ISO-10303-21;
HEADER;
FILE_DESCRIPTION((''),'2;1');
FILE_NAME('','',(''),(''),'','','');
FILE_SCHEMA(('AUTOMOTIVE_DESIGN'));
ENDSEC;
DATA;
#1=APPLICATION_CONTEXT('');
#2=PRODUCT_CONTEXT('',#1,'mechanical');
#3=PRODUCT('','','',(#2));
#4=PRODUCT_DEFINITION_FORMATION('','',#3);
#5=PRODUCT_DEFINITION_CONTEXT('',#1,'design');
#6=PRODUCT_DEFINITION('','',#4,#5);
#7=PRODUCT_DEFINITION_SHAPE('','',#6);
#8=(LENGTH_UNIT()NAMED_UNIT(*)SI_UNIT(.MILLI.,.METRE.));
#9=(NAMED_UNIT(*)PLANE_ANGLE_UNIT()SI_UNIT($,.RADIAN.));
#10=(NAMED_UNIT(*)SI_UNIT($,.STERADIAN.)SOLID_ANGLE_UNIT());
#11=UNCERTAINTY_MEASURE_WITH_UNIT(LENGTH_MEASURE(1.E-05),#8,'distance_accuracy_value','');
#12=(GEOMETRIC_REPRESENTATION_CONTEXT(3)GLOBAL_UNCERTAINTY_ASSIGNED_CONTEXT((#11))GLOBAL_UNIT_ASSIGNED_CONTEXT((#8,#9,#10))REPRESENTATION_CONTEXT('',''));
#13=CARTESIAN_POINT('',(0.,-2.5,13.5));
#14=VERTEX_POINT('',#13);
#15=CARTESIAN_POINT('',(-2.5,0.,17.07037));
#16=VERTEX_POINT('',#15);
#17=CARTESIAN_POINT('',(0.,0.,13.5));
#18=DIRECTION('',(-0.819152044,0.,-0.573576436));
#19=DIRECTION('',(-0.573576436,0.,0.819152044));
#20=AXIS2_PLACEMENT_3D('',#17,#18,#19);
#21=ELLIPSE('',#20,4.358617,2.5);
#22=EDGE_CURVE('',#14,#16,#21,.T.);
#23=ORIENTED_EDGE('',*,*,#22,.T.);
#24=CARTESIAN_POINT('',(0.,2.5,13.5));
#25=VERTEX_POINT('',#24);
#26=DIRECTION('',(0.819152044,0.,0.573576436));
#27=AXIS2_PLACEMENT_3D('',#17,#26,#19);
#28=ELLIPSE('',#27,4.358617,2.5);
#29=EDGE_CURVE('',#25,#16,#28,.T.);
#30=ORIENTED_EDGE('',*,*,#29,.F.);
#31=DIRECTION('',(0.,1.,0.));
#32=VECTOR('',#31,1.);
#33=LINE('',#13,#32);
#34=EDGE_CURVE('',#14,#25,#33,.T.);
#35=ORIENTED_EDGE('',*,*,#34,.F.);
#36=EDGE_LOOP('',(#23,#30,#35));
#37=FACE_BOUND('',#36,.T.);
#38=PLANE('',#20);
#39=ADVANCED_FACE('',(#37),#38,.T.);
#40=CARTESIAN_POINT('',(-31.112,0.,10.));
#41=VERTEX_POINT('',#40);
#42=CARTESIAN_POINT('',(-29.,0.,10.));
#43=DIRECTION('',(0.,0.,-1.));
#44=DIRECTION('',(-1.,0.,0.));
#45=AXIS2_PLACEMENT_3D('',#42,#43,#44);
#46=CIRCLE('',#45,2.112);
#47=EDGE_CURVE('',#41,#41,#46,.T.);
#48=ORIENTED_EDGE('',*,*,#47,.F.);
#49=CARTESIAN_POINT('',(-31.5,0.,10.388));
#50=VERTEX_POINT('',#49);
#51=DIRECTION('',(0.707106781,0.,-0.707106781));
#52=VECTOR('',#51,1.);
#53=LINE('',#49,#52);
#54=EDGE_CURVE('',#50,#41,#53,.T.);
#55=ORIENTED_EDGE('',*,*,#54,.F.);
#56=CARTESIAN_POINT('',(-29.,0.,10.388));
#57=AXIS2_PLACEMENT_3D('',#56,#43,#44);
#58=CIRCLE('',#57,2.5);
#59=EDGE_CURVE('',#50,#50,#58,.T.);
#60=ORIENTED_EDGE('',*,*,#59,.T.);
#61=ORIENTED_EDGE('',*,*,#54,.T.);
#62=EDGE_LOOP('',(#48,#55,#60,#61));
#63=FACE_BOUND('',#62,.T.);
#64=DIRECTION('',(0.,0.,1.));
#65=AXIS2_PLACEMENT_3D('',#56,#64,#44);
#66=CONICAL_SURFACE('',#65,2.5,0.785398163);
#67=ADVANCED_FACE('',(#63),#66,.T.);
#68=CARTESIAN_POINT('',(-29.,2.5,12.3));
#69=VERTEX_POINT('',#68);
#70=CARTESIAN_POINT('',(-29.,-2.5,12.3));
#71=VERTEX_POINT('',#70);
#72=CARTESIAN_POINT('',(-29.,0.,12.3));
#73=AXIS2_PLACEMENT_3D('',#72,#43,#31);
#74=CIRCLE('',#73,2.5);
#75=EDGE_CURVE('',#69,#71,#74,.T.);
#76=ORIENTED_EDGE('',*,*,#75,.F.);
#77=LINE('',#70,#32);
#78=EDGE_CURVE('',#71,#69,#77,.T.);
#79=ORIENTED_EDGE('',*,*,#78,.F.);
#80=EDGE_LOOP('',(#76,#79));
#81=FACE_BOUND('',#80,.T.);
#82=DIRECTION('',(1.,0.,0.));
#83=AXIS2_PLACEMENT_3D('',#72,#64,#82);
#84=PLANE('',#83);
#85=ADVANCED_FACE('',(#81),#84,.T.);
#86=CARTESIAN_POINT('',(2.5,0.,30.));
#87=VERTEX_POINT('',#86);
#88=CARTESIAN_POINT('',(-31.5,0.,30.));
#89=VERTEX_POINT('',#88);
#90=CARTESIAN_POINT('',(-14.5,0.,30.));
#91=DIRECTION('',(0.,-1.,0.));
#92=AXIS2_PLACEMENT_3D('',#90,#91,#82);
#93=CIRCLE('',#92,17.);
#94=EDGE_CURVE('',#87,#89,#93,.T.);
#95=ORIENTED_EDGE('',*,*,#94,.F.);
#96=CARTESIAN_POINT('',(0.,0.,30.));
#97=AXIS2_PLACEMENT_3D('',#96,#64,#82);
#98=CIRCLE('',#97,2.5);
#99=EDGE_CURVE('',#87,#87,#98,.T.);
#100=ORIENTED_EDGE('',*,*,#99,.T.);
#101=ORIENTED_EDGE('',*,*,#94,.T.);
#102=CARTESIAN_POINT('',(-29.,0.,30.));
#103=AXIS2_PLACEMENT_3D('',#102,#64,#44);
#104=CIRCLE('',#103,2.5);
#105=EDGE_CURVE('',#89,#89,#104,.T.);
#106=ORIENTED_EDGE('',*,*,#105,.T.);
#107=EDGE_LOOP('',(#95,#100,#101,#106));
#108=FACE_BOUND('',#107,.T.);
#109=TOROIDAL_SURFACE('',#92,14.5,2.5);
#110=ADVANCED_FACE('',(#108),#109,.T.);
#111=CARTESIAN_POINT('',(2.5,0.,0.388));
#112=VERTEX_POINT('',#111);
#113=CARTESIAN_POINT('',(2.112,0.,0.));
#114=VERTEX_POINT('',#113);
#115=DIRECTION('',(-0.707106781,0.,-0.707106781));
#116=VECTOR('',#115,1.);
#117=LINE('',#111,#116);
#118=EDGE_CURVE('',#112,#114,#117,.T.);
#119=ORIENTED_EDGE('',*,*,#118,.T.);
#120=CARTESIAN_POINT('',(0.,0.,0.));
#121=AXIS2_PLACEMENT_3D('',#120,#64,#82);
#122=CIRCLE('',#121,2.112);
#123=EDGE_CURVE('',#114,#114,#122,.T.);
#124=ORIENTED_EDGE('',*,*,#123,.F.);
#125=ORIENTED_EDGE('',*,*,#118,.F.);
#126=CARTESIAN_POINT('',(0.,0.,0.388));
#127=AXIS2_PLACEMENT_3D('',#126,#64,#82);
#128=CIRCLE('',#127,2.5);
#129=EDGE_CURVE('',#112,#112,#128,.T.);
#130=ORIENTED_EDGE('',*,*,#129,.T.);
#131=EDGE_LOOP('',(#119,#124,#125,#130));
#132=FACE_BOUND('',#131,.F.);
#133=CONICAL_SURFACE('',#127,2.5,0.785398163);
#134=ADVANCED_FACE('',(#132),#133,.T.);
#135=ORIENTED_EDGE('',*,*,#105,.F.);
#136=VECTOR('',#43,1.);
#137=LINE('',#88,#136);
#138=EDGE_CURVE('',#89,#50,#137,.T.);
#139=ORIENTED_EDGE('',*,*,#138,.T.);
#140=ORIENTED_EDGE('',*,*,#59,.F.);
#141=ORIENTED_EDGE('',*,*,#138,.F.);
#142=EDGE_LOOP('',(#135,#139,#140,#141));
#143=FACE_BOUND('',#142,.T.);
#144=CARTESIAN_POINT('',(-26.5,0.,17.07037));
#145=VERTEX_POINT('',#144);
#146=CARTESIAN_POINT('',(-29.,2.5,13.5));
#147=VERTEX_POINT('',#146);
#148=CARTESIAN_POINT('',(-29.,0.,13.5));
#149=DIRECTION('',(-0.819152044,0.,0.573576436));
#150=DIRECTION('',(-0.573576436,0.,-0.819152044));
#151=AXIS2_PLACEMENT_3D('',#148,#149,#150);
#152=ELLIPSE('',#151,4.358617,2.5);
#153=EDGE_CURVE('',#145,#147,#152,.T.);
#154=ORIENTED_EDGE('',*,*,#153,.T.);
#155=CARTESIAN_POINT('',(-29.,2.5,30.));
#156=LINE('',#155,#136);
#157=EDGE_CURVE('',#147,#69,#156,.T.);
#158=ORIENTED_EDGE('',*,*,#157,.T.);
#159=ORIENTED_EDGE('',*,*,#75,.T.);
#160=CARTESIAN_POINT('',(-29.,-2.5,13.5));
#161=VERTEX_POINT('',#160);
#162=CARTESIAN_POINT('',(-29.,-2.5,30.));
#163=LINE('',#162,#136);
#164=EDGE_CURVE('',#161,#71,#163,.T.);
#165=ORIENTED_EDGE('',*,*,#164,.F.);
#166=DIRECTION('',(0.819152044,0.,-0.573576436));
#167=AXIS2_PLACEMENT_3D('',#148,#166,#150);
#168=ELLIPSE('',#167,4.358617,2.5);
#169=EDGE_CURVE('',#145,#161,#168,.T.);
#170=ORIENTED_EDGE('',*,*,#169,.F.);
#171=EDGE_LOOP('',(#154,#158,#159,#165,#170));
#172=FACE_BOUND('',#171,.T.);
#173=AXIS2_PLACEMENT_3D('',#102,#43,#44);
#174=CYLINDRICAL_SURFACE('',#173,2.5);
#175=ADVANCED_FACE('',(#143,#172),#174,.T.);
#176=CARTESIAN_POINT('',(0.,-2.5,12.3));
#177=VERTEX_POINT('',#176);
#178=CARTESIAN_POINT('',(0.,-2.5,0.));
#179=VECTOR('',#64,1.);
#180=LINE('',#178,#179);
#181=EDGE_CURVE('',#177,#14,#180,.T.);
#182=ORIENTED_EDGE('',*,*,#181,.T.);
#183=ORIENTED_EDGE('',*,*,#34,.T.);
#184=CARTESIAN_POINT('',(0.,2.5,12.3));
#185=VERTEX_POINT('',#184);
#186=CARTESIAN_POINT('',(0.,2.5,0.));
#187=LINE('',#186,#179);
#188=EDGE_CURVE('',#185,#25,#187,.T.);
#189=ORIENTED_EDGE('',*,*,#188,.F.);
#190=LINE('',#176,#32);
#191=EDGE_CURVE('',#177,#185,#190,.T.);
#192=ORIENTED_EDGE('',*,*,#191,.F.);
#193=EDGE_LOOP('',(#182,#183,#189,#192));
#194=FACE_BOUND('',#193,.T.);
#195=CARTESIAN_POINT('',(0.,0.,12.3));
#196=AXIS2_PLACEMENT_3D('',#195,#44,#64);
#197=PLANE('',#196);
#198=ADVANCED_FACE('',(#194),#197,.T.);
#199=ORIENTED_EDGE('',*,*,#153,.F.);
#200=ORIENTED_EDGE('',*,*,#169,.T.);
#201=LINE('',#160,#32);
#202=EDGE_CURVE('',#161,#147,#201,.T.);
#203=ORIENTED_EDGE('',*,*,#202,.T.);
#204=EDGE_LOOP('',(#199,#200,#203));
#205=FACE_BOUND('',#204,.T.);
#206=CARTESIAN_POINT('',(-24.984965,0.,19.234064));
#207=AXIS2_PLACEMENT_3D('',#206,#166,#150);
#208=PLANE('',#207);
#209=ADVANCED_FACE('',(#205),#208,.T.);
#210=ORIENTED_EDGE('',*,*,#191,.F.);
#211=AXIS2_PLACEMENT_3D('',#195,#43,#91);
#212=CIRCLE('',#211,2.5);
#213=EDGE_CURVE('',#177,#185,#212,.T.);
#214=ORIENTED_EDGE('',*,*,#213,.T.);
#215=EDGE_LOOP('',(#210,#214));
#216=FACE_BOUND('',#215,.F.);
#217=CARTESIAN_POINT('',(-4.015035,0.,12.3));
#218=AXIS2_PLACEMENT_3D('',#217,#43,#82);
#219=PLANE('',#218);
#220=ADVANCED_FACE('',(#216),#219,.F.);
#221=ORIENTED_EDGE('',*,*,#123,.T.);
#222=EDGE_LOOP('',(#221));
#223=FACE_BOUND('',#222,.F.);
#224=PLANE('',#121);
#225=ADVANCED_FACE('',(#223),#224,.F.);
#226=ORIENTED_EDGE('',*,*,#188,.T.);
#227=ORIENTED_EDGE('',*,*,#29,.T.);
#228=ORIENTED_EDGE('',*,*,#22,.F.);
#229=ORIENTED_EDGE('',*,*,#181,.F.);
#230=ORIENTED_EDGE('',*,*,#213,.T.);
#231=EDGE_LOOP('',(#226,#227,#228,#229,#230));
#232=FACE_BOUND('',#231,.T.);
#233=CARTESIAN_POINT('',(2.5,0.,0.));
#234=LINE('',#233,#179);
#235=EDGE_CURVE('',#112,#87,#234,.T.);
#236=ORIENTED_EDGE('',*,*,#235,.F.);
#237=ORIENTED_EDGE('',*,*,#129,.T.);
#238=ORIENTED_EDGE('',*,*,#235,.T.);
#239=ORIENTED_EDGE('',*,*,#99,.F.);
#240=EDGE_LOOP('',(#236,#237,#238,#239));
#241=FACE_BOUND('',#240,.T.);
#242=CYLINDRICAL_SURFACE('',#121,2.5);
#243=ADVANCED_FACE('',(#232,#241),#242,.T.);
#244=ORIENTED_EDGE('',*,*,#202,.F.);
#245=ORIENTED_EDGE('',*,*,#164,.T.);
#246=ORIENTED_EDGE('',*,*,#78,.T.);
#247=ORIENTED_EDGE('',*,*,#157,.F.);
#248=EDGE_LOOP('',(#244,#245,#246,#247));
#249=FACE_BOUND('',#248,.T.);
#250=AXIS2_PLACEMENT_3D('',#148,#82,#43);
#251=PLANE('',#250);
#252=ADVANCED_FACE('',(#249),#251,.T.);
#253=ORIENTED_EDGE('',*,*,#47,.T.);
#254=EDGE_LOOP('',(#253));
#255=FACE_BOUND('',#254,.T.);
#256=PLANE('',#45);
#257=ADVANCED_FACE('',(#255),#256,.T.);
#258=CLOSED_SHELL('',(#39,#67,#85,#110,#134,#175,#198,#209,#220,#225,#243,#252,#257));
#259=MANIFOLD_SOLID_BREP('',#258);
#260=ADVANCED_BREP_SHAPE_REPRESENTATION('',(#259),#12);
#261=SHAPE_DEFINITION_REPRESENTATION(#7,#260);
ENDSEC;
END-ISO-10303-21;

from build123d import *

# Parameters (mm, degrees)
F0_R          = 2.5
F4_DEPTH      = 2.5010001
F4_DEPTH_BACK = 2.5010001
F5_SIZE       = 0.388


with BuildPart() as f2:
    # F2: sweep along a path in F1
    with BuildLine(Plane.XZ) as f2_path:
        Line((0, 0), (0, 30))
        ThreePointArc((0, 30), (-14.5, 44.5), (-29, 30))
        Line((-29, 30), (-29, 10))
    # F0 (on Top) → F2 (sweep)
    with BuildSketch(Plane.XY):
        Circle(F0_R)
    sweep(path=f2_path.line)

    # F3 (on Front) → F4 (cut, two sides)
    with BuildSketch(Plane.XZ) as f4_sk:
        Polygon((-29, 13.5), (-29, 12.3), (-24.9849649455, 12.3), (-24.9849649455, 19.23406431), align=None)
        Polygon((-4.0150350545, 19.23406431), (-4.0150350545, 12.3), (0, 12.3), (0, 13.5), align=None)
    extrude(amount=-F4_DEPTH, mode=Mode.SUBTRACT)
    extrude(f4_sk.sketch, amount=F4_DEPTH_BACK, mode=Mode.SUBTRACT)

    # F5
    f5_edges = [f2.edges().sort_by_distance(p)[0] for p in [
        (-26.5, 0, 10),
        (-2.5, 0, 0),
    ]]
    chamfer(f5_edges, length=F5_SIZE)


solid = f2.part
